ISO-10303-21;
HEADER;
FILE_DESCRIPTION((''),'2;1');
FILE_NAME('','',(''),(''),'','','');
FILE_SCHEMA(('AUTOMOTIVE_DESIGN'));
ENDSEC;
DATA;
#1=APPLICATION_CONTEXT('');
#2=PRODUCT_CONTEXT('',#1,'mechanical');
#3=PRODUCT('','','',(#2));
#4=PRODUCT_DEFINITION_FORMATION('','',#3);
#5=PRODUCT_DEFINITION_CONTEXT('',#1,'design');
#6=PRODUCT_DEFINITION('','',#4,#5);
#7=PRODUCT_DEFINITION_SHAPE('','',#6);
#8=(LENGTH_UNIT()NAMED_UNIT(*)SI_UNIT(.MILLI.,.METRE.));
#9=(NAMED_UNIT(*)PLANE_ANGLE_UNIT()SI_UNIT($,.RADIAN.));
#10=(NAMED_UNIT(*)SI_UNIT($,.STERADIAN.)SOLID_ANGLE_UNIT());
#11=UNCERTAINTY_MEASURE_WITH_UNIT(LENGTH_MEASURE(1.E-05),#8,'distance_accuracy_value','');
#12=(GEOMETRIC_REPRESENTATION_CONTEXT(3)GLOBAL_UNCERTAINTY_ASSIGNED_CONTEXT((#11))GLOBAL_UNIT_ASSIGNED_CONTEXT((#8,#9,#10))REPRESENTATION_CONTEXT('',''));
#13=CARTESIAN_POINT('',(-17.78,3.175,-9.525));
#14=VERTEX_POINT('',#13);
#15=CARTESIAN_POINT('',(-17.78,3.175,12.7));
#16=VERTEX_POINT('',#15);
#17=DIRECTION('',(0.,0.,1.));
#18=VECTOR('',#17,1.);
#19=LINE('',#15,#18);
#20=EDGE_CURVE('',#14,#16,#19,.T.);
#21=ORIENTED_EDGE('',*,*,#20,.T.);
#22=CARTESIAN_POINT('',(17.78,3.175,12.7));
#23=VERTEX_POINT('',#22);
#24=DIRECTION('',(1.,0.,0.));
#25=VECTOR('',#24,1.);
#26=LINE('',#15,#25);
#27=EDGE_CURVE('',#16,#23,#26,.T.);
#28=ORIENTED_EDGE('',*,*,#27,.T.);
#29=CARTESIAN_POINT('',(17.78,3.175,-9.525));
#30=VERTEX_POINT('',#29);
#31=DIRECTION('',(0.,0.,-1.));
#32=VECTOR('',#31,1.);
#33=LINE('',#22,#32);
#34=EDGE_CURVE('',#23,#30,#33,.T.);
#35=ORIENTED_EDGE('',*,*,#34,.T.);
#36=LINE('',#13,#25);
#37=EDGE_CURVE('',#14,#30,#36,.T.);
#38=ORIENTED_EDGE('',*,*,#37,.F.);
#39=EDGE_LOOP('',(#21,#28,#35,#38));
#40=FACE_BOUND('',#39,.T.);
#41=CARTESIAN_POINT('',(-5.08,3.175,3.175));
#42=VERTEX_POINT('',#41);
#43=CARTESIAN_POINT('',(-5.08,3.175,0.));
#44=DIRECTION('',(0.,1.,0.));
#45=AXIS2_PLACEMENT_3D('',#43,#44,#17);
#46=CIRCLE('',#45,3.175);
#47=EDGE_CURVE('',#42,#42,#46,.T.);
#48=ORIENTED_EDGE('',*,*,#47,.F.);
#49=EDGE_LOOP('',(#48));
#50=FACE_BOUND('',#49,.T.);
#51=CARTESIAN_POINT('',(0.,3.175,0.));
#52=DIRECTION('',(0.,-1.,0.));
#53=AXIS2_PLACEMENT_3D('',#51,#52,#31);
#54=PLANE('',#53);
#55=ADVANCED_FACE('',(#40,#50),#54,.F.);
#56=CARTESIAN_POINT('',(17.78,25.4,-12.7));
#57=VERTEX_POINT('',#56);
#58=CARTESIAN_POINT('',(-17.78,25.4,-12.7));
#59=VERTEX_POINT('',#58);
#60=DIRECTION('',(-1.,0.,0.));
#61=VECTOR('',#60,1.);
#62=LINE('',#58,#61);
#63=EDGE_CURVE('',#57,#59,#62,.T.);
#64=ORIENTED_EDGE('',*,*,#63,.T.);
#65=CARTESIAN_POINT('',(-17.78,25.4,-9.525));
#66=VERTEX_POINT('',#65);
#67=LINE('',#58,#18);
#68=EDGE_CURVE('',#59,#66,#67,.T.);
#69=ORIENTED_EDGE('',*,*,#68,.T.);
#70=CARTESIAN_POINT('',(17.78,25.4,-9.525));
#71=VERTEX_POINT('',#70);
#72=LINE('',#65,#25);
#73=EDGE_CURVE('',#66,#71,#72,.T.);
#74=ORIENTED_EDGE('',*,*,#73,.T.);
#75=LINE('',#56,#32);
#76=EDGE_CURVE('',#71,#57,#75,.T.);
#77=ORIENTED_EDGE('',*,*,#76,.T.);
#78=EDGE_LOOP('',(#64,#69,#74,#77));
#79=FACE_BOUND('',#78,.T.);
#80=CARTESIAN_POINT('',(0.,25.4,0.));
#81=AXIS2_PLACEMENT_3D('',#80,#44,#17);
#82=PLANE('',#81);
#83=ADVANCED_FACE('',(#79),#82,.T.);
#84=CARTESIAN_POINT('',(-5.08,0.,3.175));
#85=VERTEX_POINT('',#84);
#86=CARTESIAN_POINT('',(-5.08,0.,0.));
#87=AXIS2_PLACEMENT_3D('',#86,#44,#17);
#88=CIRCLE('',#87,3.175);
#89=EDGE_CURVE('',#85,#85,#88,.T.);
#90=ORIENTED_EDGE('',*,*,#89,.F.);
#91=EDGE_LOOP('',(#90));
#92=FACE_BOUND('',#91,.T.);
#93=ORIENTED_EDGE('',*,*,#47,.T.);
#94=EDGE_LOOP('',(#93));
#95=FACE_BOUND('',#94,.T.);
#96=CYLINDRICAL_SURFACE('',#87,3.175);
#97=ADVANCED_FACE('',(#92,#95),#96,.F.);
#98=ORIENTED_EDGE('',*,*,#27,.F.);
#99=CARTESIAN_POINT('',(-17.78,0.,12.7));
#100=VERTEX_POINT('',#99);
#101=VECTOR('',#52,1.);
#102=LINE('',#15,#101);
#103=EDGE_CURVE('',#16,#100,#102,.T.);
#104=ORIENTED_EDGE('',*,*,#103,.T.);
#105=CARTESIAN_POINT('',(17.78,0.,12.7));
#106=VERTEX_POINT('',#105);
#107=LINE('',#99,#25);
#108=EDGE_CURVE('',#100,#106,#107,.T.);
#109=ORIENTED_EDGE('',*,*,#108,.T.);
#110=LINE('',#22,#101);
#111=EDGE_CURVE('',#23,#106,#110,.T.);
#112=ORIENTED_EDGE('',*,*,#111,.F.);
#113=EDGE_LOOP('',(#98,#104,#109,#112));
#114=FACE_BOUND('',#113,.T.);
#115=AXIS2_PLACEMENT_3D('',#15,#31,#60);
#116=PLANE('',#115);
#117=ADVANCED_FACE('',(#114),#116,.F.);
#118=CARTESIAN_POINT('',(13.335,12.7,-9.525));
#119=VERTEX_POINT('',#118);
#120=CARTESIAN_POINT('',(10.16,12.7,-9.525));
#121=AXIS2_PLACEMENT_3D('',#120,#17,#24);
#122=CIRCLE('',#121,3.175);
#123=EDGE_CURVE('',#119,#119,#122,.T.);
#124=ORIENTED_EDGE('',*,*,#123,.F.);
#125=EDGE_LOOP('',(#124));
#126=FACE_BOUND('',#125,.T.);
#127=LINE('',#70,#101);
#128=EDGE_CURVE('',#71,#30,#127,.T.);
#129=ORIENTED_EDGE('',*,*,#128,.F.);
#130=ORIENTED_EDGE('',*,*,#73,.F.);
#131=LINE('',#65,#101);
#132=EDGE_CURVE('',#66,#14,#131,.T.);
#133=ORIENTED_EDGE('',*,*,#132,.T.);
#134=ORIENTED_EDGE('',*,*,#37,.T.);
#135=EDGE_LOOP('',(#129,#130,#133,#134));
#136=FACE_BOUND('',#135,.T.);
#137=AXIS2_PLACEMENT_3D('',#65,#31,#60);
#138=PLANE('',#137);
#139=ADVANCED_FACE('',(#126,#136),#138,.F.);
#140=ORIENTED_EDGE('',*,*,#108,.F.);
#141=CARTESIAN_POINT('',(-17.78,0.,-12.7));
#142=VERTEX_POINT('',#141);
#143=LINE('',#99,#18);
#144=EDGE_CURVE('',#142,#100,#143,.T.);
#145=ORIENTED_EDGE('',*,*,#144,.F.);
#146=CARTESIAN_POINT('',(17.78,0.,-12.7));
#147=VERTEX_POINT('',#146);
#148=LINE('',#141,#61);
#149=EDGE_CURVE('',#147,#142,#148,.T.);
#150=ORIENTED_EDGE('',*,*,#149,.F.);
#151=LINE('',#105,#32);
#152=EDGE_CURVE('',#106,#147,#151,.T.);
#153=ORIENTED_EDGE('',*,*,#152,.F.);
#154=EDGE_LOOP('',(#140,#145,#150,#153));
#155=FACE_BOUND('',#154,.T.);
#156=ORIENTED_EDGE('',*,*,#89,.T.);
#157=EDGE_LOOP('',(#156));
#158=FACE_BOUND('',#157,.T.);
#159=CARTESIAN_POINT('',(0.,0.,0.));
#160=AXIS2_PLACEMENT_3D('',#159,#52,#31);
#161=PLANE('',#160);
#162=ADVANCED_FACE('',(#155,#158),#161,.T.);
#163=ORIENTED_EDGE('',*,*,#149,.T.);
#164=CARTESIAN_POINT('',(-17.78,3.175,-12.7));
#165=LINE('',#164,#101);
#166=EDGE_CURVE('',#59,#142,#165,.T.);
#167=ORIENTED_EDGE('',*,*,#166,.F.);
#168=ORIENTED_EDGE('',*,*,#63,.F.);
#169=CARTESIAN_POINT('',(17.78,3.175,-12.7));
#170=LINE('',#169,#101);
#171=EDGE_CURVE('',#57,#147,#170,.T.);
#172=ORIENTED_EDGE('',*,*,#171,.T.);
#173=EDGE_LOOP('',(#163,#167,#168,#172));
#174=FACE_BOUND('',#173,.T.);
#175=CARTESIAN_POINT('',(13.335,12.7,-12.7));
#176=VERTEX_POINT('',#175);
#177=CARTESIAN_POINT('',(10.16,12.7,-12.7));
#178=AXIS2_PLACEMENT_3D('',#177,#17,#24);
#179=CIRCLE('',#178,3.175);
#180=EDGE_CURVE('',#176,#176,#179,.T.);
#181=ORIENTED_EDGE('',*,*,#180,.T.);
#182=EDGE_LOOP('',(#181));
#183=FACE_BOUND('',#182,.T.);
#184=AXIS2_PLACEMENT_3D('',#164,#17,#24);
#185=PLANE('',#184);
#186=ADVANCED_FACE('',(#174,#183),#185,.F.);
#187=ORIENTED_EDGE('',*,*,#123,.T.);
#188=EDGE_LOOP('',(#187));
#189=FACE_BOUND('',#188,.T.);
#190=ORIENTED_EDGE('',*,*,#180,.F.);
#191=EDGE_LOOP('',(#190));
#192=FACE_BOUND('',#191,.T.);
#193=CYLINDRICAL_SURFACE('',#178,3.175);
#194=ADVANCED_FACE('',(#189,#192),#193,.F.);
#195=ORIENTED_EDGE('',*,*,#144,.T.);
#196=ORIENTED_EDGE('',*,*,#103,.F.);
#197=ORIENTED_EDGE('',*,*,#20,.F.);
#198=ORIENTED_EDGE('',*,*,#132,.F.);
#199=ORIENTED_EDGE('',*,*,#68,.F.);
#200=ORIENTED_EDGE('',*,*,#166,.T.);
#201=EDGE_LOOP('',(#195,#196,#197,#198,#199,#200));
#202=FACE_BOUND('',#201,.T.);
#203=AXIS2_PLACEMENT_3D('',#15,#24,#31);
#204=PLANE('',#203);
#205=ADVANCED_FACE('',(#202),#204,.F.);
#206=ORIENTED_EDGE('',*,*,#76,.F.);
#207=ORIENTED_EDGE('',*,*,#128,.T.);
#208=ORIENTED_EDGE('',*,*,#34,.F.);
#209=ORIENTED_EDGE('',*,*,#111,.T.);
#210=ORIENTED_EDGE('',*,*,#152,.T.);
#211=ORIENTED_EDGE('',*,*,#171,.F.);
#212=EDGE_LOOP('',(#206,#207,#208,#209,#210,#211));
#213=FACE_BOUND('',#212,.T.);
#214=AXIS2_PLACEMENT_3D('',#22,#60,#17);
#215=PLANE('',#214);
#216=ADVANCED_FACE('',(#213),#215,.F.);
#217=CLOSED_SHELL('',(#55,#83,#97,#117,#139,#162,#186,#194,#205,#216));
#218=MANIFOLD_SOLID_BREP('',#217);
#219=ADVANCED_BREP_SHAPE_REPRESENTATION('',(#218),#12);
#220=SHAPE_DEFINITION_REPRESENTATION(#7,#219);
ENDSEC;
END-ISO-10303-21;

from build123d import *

# Parameters (mm, degrees)
SKETCH1_W           = 35.56
SKETCH1_H           = 25.4
BOSS_EXTRUDE1_DEPTH = 3.175
SKETCH2_W           = 35.56
SKETCH2_H           = 3.175
BOSS_EXTRUDE2_DEPTH = 22.225
SKETCH3_R           = 3.175
CUT_EXTRUDE1_DEPTH  = 3.175
SKETCH4_R           = 3.175
CUT_EXTRUDE2_DEPTH  = 3.175


with BuildPart() as part:
    # Sketch1 → Boss-Extrude1 (new body)
    with BuildSketch(Plane(origin=(0, 0, 0), x_dir=(1, 0, 0), z_dir=(0, 1, 0))):
        Rectangle(SKETCH1_W, SKETCH1_H)
    extrude(amount=BOSS_EXTRUDE1_DEPTH)

    # Sketch2 → Boss-Extrude2 (add)
    with BuildSketch(Plane(origin=(0, 3.175, 0), x_dir=(1, 0, 0), z_dir=(0, 1, 0))):
        with Locations((0, 11.1125)):
            Rectangle(SKETCH2_W, SKETCH2_H)
    extrude(amount=BOSS_EXTRUDE2_DEPTH)

    # Sketch3 → Cut-Extrude1 (cut)
    with BuildSketch(Plane(origin=(0, 3.175, 0), x_dir=(1, 0, 0), z_dir=(0, 1, 0))):
        with Locations(Location((-5.08, 0, 0), (0, 0, 270))):
            Circle(SKETCH3_R)
    extrude(amount=-CUT_EXTRUDE1_DEPTH, mode=Mode.SUBTRACT)

    # Sketch4 → Cut-Extrude2 (cut)
    with BuildSketch(Plane.XY.offset(-9.525)):
        with Locations((10.16, 12.7)):
            Circle(SKETCH4_R)
    extrude(amount=-CUT_EXTRUDE2_DEPTH, mode=Mode.SUBTRACT)


solid = part.part
